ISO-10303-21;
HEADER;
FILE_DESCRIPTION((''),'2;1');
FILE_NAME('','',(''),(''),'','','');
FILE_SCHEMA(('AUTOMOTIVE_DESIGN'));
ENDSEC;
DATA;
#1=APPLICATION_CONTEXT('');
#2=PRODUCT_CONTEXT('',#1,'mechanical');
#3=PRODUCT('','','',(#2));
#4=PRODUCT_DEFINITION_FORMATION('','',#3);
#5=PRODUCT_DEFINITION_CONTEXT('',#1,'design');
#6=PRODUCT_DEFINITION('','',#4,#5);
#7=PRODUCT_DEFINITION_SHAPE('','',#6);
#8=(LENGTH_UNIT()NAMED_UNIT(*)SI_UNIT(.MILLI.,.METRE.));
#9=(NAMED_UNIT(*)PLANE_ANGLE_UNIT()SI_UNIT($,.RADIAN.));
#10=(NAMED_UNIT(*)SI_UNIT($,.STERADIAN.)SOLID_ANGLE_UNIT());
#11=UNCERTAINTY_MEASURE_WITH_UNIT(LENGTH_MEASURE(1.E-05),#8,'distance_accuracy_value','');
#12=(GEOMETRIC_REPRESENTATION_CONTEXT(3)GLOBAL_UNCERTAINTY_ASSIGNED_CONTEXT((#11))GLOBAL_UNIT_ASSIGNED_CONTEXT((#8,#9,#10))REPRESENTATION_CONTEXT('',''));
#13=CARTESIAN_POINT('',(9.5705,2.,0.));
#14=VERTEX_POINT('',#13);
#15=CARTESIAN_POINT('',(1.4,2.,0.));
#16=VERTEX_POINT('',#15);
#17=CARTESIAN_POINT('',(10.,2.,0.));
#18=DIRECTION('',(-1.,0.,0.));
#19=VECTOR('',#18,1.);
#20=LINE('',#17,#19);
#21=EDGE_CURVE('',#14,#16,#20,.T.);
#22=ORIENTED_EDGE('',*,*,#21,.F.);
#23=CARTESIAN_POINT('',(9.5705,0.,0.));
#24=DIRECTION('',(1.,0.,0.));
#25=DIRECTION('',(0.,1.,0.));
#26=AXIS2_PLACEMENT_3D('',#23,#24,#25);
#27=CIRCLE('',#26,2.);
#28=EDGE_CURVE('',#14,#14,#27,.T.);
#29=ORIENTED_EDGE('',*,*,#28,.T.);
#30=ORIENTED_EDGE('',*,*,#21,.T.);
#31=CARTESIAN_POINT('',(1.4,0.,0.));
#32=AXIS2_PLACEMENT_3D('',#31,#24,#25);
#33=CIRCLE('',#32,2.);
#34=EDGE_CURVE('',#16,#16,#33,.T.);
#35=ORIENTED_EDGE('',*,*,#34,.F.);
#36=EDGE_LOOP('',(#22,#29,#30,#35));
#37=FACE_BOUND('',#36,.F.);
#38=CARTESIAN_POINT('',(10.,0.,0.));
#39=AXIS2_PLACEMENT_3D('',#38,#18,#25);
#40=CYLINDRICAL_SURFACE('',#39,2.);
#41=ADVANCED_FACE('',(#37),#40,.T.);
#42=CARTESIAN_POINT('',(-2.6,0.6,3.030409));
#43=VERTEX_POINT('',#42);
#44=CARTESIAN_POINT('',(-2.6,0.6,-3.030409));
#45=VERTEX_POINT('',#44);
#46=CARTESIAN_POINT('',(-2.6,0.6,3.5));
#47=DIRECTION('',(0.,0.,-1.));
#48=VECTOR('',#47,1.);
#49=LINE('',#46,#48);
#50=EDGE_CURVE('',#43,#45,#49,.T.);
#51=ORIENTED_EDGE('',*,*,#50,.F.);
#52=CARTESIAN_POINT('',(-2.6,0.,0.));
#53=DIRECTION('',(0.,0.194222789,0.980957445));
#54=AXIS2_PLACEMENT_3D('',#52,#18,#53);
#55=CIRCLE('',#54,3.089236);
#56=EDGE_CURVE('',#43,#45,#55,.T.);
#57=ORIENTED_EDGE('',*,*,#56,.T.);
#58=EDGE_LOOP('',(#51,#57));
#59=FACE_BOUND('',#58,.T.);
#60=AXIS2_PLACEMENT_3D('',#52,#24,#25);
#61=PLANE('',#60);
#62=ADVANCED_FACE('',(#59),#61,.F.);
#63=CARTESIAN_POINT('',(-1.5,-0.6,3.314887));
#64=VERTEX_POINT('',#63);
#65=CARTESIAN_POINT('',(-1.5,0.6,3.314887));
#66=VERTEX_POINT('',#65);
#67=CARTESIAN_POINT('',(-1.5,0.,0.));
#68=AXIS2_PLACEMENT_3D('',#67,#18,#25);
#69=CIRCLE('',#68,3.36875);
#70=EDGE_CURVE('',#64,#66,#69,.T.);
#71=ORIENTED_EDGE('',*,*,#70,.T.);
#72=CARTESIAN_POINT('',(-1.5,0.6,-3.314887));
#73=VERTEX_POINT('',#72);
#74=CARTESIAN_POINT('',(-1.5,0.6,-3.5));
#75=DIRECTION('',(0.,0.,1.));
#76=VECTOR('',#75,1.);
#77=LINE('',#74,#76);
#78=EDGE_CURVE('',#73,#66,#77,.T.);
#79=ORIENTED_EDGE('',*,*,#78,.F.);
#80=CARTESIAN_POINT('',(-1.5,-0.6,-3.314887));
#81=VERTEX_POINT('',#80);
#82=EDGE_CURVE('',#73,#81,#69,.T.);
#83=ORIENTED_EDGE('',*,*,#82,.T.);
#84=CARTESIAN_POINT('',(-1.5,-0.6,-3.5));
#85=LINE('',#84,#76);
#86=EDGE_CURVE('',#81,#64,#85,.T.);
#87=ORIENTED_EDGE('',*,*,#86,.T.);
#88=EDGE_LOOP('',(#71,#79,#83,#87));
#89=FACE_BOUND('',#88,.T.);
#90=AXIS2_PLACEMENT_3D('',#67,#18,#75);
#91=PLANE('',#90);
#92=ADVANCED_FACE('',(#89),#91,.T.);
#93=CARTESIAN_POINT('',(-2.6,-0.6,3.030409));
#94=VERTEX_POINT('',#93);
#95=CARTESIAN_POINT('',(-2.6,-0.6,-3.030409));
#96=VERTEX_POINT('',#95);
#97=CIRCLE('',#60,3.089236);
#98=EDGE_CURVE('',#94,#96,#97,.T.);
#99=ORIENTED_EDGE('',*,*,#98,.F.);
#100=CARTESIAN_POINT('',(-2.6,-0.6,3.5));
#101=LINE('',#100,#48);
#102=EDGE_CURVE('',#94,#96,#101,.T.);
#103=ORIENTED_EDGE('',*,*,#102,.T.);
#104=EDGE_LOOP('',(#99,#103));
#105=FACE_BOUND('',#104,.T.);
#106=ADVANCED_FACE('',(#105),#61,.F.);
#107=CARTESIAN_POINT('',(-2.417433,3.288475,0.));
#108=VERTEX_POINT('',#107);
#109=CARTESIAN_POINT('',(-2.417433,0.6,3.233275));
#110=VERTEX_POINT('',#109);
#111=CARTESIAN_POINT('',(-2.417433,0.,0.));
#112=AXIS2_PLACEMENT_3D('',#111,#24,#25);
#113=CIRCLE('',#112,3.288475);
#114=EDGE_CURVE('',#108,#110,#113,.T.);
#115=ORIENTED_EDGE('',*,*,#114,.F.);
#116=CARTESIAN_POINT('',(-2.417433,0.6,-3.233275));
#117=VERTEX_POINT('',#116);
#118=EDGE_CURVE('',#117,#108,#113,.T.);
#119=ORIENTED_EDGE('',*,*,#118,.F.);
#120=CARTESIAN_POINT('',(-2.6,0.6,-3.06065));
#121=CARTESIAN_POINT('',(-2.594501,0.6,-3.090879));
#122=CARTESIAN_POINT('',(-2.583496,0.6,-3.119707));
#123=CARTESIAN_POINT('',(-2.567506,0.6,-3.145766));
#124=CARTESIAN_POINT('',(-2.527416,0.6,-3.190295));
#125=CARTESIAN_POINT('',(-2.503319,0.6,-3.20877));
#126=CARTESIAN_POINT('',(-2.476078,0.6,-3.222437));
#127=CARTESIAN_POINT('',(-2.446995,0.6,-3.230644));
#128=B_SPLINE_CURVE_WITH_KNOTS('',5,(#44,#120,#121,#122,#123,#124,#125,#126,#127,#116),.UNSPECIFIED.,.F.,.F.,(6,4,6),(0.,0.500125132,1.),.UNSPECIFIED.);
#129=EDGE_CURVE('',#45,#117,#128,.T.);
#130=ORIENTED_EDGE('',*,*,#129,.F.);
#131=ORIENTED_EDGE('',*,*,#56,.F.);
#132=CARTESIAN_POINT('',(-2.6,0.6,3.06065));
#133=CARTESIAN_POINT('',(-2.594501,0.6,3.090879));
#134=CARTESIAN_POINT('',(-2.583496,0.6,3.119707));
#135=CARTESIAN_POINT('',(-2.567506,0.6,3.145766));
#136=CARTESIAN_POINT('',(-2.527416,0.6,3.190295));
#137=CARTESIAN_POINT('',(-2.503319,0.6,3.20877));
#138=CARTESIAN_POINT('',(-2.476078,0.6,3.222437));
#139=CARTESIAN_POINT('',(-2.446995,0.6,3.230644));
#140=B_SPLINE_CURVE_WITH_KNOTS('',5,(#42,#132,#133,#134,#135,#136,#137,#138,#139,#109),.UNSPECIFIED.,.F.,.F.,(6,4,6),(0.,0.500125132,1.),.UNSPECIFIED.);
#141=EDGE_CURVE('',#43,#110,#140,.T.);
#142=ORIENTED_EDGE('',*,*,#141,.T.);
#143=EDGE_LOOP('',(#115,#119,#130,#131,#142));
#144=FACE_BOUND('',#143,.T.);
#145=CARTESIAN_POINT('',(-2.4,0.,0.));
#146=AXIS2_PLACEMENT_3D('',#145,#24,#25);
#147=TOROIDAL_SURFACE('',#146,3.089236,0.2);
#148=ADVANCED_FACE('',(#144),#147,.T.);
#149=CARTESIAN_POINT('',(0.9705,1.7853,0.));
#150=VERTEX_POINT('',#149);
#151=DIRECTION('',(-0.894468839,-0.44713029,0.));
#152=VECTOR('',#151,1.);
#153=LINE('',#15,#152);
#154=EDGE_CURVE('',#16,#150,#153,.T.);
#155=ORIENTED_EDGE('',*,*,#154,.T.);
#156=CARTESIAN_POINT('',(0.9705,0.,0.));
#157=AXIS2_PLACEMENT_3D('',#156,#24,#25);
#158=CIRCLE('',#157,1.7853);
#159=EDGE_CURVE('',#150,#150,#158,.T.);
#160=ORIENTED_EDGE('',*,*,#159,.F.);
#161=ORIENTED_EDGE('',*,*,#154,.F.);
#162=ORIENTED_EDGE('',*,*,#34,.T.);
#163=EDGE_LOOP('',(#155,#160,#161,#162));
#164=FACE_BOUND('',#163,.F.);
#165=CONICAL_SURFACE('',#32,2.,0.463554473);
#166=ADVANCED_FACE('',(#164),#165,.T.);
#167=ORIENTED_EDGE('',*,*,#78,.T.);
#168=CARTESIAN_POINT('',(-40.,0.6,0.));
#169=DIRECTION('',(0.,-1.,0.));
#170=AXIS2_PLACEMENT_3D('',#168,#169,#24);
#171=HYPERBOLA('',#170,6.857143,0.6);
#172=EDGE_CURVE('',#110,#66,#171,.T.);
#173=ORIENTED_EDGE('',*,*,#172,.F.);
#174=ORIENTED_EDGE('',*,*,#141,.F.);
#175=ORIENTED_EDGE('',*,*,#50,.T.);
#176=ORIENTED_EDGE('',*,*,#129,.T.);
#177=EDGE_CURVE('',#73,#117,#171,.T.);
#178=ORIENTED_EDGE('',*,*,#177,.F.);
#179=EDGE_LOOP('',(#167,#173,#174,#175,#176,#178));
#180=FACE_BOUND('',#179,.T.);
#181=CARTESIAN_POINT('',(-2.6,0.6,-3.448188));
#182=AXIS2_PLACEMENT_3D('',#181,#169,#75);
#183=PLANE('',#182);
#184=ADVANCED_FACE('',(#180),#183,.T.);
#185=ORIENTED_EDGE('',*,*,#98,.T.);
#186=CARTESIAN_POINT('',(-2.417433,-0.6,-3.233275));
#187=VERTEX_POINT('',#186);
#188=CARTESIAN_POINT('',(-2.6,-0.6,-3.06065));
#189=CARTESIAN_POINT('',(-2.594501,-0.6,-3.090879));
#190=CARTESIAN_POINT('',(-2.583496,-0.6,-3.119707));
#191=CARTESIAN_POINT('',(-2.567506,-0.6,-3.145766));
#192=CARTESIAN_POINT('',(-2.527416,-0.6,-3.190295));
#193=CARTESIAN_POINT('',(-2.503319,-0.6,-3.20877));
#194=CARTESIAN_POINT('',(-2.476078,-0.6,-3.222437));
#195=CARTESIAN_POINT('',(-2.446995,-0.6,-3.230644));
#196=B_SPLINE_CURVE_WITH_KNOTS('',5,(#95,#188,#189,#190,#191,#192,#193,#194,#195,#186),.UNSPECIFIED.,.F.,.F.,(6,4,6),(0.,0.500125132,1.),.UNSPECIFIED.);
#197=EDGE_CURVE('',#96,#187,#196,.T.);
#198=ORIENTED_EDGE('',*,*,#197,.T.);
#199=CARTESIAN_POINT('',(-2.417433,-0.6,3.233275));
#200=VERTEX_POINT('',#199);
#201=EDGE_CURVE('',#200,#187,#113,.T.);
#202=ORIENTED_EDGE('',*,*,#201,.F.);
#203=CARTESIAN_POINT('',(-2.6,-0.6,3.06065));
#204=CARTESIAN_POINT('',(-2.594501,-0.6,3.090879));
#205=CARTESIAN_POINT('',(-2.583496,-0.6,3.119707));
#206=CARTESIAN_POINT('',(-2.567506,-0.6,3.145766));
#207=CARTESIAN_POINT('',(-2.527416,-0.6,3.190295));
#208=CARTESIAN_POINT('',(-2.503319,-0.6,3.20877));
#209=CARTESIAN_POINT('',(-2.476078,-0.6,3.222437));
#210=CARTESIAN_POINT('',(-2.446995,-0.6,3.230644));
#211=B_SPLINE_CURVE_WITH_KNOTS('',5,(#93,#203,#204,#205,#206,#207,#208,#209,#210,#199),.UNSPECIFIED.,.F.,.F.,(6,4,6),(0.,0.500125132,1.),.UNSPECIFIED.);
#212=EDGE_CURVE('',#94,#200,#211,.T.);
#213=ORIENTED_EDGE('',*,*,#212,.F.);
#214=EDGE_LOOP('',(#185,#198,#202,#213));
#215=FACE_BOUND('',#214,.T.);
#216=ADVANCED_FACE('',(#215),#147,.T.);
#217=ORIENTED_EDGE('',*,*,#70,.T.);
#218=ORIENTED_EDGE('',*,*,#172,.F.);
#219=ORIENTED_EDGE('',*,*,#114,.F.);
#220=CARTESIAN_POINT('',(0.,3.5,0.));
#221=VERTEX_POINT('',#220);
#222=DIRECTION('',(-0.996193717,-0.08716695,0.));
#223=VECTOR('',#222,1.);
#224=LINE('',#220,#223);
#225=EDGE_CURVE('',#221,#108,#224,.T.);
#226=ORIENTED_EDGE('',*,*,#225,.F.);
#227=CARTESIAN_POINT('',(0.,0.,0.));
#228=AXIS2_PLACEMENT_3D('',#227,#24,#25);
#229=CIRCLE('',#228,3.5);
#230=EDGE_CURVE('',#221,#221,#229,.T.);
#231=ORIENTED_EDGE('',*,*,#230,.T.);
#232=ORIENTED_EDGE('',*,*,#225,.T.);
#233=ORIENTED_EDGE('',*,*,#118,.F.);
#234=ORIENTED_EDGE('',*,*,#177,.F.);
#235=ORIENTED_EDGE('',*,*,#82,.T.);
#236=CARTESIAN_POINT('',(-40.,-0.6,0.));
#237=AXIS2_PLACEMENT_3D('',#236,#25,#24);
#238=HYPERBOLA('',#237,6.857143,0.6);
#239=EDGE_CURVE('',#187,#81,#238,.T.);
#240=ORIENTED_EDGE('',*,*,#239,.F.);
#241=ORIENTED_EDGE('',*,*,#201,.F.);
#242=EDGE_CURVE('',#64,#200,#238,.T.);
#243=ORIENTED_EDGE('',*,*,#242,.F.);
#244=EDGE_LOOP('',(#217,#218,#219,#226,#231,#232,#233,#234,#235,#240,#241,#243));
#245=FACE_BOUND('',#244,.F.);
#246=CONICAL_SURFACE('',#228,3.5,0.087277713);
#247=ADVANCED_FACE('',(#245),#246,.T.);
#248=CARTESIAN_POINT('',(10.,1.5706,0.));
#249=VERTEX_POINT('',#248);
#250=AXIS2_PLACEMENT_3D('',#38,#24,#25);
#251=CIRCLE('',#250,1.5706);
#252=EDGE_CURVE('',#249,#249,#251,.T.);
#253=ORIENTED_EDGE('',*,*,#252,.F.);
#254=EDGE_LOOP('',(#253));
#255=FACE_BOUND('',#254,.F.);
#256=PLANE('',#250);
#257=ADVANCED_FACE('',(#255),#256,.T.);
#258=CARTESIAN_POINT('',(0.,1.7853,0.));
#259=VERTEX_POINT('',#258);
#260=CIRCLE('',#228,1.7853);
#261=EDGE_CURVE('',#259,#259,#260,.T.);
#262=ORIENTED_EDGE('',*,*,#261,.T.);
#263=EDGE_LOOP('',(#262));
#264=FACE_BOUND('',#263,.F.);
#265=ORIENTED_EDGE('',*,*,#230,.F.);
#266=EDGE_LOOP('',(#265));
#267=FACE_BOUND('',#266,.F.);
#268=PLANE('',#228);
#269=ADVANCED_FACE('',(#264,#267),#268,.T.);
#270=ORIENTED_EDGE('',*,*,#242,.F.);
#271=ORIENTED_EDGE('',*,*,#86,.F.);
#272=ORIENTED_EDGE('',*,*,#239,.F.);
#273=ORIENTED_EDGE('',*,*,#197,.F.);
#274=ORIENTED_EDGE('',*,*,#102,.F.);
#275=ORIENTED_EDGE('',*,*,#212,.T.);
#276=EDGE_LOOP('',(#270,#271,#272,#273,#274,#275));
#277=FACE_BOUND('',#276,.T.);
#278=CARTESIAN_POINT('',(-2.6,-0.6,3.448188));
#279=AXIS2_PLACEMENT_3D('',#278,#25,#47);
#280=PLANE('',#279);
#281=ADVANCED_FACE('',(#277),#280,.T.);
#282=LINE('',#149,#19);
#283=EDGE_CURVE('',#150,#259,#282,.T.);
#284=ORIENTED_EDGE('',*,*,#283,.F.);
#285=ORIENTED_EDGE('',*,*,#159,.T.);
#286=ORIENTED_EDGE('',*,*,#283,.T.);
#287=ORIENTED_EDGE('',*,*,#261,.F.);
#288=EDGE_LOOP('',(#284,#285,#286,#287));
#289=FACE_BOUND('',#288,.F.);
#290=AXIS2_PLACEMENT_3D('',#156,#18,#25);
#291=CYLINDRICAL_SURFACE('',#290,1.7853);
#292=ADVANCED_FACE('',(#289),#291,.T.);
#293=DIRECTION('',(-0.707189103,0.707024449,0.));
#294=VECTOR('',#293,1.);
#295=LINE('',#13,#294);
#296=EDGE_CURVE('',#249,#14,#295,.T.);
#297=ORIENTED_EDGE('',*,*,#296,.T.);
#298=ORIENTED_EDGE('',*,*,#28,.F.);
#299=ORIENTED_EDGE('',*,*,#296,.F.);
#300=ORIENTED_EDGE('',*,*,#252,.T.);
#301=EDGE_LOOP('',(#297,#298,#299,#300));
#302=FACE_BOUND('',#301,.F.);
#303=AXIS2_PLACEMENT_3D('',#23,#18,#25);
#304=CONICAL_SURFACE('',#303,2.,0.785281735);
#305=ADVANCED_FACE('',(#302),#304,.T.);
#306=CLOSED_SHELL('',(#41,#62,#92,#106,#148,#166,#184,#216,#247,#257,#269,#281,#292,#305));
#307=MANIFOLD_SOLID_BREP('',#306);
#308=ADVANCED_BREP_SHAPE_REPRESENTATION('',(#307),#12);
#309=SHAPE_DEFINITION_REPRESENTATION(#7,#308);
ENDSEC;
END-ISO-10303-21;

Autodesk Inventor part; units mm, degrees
ref_plane "YZ Plane" through (0, 0, 0) normal (1, 0, 0) x (0, 1, 0)
ref_plane "XZ Plane" through (0, 0, 0) normal (0, 1, 0) x (-1, 0, 0)
sketch "Sketch1" plane through (0, 0, 0) normal (0, 0, 1) x (1, 0, 0)
  line L0 (-2.6, 0) -> (10, 0)
  line L1 (10, 0) -> (10, 2)
  line L2 (10, 2) -> (1.4, 2)
  line L3 (1.4, 2) -> (0.9705, 1.7853)
  line L4 (0.9705, 1.7853) -> (0, 1.7853)
  line L5 (0, 1.7853) -> (0, 3.5)
  line L6 (-5.12, 0) -> (12.52, 0) projected
  line L7 (0, -0.7) -> (0, 4.2) projected
  line L8 (-2.6, 0) -> (-2.6, 3.2725)
  line L9 (0, 3.5) -> (-2.6, 3.2725)
  line L10 (1.4, 2) -> (0, 2) construction
  dimension "d0" = 10
  dimension "d1" = 8.6
  dimension "d2" = 0.4295
  dimension "d3" = 2.6
  dimension "d4" = 4
  dimension "d5" = 3.5705
  dimension "d9" = 7
  dimension "d10" = 5
revolve "Body" add sketch "Sketch1" angle 360 about axis through (-2.6, 0, 0) along (1, 0, 0)
sketch "Sketch2" plane through (-2.6, 0, 0) normal (-1, 0, 0) x (0, 0, 1)
  circle A0 centre (0, 0) radius 3.5 projected
  line L0 (0, 0) -> (0, 3.2725) projected
  line L1 (-3.5, 0.6) -> (3.5, 0.6)
  line L2 (3.5, 0.6) -> (3.5, -0.6)
  line L3 (3.5, -0.6) -> (-3.5, -0.6)
  line L4 (-3.5, -0.6) -> (-3.5, 0.6)
  line L5 (-3.5, 0) -> (3.5, 0) construction
  line L6 (0, 0.6) -> (0, -0.6) construction
  dimension "d11" = 1.2
  dimension "d12" = 7
fillet "Fillet1" radius 0.2 1 edges at (-2.6, -3.2725, 0)
extrude "Slot" cut sketch "Sketch2" against normal blind 1.1 contours A0 L3 L1 | L2 L3 A0 | A0 L1 L2 | A0 L4 L1 | L3 L4 A0
thread "Thread" size "M4x0.7" class "6g" standard "ISO Metric profile" length 8.6
chamfer "Chamfer1" distance 0.4294 distance2 0.4295 1 edges at (10, -2, 0) measured on face at (10, -0.6816, 0.4421)
ref_plane "Work Plane1" through (30.1625, 0, 0) normal (0, 0, -1) x (1, 0, 0)
equation "\"d11\" = SBR"
equation "\"d12\" = KOD"
equation "\"d19\" = STI"
equation "\"d14\" = RR"
equation "\"d15\" = GEL"
equation "\"d17\" = -0.5 * SPD + 0.5 * GD"
equation "\"d0\" = NLG"
equation "\"d1\" = GEL"
equation "\"d3\" = KOH"
equation "\"d4\" = GD"
equation "\"d5\" = BDM"
equation "\"d9\" = KOD"
equation "\"d10\" = KEWI"
equation "\"GD\" = NND"
equation "\"NLG\" = 10"
equation "\"GEL\" = 8.6"
equation "\"KOD\" = 7"
equation "\"KOH\" = 2.6"
equation "\"GAL\" = 0.61345 * PTC"
equation "\"SPD\" = NND - 1.2269 * PTC"
equation "\"BDM\" = 3.5705"
equation "\"GUL\" = 0.61345 * PTC"
equation "\"RR\" = 0.2"
equation "\"SBR\" = 1.2"
equation "\"STI\" = 1.1"
equation "\"KEWI\" = 5deg"
equation "\"PTC\" = 0.7"
equation "\"THREADDIA\" = 4"
equation "\"TOA\" = 30deg"
equation "\"NND\" = 4"
equation "\"GD1\" = THREADDIA - 1.2269 * PTC"
properties part number "ISO 1207 - M4 x 10" material "Stainless Steel, 440C"
